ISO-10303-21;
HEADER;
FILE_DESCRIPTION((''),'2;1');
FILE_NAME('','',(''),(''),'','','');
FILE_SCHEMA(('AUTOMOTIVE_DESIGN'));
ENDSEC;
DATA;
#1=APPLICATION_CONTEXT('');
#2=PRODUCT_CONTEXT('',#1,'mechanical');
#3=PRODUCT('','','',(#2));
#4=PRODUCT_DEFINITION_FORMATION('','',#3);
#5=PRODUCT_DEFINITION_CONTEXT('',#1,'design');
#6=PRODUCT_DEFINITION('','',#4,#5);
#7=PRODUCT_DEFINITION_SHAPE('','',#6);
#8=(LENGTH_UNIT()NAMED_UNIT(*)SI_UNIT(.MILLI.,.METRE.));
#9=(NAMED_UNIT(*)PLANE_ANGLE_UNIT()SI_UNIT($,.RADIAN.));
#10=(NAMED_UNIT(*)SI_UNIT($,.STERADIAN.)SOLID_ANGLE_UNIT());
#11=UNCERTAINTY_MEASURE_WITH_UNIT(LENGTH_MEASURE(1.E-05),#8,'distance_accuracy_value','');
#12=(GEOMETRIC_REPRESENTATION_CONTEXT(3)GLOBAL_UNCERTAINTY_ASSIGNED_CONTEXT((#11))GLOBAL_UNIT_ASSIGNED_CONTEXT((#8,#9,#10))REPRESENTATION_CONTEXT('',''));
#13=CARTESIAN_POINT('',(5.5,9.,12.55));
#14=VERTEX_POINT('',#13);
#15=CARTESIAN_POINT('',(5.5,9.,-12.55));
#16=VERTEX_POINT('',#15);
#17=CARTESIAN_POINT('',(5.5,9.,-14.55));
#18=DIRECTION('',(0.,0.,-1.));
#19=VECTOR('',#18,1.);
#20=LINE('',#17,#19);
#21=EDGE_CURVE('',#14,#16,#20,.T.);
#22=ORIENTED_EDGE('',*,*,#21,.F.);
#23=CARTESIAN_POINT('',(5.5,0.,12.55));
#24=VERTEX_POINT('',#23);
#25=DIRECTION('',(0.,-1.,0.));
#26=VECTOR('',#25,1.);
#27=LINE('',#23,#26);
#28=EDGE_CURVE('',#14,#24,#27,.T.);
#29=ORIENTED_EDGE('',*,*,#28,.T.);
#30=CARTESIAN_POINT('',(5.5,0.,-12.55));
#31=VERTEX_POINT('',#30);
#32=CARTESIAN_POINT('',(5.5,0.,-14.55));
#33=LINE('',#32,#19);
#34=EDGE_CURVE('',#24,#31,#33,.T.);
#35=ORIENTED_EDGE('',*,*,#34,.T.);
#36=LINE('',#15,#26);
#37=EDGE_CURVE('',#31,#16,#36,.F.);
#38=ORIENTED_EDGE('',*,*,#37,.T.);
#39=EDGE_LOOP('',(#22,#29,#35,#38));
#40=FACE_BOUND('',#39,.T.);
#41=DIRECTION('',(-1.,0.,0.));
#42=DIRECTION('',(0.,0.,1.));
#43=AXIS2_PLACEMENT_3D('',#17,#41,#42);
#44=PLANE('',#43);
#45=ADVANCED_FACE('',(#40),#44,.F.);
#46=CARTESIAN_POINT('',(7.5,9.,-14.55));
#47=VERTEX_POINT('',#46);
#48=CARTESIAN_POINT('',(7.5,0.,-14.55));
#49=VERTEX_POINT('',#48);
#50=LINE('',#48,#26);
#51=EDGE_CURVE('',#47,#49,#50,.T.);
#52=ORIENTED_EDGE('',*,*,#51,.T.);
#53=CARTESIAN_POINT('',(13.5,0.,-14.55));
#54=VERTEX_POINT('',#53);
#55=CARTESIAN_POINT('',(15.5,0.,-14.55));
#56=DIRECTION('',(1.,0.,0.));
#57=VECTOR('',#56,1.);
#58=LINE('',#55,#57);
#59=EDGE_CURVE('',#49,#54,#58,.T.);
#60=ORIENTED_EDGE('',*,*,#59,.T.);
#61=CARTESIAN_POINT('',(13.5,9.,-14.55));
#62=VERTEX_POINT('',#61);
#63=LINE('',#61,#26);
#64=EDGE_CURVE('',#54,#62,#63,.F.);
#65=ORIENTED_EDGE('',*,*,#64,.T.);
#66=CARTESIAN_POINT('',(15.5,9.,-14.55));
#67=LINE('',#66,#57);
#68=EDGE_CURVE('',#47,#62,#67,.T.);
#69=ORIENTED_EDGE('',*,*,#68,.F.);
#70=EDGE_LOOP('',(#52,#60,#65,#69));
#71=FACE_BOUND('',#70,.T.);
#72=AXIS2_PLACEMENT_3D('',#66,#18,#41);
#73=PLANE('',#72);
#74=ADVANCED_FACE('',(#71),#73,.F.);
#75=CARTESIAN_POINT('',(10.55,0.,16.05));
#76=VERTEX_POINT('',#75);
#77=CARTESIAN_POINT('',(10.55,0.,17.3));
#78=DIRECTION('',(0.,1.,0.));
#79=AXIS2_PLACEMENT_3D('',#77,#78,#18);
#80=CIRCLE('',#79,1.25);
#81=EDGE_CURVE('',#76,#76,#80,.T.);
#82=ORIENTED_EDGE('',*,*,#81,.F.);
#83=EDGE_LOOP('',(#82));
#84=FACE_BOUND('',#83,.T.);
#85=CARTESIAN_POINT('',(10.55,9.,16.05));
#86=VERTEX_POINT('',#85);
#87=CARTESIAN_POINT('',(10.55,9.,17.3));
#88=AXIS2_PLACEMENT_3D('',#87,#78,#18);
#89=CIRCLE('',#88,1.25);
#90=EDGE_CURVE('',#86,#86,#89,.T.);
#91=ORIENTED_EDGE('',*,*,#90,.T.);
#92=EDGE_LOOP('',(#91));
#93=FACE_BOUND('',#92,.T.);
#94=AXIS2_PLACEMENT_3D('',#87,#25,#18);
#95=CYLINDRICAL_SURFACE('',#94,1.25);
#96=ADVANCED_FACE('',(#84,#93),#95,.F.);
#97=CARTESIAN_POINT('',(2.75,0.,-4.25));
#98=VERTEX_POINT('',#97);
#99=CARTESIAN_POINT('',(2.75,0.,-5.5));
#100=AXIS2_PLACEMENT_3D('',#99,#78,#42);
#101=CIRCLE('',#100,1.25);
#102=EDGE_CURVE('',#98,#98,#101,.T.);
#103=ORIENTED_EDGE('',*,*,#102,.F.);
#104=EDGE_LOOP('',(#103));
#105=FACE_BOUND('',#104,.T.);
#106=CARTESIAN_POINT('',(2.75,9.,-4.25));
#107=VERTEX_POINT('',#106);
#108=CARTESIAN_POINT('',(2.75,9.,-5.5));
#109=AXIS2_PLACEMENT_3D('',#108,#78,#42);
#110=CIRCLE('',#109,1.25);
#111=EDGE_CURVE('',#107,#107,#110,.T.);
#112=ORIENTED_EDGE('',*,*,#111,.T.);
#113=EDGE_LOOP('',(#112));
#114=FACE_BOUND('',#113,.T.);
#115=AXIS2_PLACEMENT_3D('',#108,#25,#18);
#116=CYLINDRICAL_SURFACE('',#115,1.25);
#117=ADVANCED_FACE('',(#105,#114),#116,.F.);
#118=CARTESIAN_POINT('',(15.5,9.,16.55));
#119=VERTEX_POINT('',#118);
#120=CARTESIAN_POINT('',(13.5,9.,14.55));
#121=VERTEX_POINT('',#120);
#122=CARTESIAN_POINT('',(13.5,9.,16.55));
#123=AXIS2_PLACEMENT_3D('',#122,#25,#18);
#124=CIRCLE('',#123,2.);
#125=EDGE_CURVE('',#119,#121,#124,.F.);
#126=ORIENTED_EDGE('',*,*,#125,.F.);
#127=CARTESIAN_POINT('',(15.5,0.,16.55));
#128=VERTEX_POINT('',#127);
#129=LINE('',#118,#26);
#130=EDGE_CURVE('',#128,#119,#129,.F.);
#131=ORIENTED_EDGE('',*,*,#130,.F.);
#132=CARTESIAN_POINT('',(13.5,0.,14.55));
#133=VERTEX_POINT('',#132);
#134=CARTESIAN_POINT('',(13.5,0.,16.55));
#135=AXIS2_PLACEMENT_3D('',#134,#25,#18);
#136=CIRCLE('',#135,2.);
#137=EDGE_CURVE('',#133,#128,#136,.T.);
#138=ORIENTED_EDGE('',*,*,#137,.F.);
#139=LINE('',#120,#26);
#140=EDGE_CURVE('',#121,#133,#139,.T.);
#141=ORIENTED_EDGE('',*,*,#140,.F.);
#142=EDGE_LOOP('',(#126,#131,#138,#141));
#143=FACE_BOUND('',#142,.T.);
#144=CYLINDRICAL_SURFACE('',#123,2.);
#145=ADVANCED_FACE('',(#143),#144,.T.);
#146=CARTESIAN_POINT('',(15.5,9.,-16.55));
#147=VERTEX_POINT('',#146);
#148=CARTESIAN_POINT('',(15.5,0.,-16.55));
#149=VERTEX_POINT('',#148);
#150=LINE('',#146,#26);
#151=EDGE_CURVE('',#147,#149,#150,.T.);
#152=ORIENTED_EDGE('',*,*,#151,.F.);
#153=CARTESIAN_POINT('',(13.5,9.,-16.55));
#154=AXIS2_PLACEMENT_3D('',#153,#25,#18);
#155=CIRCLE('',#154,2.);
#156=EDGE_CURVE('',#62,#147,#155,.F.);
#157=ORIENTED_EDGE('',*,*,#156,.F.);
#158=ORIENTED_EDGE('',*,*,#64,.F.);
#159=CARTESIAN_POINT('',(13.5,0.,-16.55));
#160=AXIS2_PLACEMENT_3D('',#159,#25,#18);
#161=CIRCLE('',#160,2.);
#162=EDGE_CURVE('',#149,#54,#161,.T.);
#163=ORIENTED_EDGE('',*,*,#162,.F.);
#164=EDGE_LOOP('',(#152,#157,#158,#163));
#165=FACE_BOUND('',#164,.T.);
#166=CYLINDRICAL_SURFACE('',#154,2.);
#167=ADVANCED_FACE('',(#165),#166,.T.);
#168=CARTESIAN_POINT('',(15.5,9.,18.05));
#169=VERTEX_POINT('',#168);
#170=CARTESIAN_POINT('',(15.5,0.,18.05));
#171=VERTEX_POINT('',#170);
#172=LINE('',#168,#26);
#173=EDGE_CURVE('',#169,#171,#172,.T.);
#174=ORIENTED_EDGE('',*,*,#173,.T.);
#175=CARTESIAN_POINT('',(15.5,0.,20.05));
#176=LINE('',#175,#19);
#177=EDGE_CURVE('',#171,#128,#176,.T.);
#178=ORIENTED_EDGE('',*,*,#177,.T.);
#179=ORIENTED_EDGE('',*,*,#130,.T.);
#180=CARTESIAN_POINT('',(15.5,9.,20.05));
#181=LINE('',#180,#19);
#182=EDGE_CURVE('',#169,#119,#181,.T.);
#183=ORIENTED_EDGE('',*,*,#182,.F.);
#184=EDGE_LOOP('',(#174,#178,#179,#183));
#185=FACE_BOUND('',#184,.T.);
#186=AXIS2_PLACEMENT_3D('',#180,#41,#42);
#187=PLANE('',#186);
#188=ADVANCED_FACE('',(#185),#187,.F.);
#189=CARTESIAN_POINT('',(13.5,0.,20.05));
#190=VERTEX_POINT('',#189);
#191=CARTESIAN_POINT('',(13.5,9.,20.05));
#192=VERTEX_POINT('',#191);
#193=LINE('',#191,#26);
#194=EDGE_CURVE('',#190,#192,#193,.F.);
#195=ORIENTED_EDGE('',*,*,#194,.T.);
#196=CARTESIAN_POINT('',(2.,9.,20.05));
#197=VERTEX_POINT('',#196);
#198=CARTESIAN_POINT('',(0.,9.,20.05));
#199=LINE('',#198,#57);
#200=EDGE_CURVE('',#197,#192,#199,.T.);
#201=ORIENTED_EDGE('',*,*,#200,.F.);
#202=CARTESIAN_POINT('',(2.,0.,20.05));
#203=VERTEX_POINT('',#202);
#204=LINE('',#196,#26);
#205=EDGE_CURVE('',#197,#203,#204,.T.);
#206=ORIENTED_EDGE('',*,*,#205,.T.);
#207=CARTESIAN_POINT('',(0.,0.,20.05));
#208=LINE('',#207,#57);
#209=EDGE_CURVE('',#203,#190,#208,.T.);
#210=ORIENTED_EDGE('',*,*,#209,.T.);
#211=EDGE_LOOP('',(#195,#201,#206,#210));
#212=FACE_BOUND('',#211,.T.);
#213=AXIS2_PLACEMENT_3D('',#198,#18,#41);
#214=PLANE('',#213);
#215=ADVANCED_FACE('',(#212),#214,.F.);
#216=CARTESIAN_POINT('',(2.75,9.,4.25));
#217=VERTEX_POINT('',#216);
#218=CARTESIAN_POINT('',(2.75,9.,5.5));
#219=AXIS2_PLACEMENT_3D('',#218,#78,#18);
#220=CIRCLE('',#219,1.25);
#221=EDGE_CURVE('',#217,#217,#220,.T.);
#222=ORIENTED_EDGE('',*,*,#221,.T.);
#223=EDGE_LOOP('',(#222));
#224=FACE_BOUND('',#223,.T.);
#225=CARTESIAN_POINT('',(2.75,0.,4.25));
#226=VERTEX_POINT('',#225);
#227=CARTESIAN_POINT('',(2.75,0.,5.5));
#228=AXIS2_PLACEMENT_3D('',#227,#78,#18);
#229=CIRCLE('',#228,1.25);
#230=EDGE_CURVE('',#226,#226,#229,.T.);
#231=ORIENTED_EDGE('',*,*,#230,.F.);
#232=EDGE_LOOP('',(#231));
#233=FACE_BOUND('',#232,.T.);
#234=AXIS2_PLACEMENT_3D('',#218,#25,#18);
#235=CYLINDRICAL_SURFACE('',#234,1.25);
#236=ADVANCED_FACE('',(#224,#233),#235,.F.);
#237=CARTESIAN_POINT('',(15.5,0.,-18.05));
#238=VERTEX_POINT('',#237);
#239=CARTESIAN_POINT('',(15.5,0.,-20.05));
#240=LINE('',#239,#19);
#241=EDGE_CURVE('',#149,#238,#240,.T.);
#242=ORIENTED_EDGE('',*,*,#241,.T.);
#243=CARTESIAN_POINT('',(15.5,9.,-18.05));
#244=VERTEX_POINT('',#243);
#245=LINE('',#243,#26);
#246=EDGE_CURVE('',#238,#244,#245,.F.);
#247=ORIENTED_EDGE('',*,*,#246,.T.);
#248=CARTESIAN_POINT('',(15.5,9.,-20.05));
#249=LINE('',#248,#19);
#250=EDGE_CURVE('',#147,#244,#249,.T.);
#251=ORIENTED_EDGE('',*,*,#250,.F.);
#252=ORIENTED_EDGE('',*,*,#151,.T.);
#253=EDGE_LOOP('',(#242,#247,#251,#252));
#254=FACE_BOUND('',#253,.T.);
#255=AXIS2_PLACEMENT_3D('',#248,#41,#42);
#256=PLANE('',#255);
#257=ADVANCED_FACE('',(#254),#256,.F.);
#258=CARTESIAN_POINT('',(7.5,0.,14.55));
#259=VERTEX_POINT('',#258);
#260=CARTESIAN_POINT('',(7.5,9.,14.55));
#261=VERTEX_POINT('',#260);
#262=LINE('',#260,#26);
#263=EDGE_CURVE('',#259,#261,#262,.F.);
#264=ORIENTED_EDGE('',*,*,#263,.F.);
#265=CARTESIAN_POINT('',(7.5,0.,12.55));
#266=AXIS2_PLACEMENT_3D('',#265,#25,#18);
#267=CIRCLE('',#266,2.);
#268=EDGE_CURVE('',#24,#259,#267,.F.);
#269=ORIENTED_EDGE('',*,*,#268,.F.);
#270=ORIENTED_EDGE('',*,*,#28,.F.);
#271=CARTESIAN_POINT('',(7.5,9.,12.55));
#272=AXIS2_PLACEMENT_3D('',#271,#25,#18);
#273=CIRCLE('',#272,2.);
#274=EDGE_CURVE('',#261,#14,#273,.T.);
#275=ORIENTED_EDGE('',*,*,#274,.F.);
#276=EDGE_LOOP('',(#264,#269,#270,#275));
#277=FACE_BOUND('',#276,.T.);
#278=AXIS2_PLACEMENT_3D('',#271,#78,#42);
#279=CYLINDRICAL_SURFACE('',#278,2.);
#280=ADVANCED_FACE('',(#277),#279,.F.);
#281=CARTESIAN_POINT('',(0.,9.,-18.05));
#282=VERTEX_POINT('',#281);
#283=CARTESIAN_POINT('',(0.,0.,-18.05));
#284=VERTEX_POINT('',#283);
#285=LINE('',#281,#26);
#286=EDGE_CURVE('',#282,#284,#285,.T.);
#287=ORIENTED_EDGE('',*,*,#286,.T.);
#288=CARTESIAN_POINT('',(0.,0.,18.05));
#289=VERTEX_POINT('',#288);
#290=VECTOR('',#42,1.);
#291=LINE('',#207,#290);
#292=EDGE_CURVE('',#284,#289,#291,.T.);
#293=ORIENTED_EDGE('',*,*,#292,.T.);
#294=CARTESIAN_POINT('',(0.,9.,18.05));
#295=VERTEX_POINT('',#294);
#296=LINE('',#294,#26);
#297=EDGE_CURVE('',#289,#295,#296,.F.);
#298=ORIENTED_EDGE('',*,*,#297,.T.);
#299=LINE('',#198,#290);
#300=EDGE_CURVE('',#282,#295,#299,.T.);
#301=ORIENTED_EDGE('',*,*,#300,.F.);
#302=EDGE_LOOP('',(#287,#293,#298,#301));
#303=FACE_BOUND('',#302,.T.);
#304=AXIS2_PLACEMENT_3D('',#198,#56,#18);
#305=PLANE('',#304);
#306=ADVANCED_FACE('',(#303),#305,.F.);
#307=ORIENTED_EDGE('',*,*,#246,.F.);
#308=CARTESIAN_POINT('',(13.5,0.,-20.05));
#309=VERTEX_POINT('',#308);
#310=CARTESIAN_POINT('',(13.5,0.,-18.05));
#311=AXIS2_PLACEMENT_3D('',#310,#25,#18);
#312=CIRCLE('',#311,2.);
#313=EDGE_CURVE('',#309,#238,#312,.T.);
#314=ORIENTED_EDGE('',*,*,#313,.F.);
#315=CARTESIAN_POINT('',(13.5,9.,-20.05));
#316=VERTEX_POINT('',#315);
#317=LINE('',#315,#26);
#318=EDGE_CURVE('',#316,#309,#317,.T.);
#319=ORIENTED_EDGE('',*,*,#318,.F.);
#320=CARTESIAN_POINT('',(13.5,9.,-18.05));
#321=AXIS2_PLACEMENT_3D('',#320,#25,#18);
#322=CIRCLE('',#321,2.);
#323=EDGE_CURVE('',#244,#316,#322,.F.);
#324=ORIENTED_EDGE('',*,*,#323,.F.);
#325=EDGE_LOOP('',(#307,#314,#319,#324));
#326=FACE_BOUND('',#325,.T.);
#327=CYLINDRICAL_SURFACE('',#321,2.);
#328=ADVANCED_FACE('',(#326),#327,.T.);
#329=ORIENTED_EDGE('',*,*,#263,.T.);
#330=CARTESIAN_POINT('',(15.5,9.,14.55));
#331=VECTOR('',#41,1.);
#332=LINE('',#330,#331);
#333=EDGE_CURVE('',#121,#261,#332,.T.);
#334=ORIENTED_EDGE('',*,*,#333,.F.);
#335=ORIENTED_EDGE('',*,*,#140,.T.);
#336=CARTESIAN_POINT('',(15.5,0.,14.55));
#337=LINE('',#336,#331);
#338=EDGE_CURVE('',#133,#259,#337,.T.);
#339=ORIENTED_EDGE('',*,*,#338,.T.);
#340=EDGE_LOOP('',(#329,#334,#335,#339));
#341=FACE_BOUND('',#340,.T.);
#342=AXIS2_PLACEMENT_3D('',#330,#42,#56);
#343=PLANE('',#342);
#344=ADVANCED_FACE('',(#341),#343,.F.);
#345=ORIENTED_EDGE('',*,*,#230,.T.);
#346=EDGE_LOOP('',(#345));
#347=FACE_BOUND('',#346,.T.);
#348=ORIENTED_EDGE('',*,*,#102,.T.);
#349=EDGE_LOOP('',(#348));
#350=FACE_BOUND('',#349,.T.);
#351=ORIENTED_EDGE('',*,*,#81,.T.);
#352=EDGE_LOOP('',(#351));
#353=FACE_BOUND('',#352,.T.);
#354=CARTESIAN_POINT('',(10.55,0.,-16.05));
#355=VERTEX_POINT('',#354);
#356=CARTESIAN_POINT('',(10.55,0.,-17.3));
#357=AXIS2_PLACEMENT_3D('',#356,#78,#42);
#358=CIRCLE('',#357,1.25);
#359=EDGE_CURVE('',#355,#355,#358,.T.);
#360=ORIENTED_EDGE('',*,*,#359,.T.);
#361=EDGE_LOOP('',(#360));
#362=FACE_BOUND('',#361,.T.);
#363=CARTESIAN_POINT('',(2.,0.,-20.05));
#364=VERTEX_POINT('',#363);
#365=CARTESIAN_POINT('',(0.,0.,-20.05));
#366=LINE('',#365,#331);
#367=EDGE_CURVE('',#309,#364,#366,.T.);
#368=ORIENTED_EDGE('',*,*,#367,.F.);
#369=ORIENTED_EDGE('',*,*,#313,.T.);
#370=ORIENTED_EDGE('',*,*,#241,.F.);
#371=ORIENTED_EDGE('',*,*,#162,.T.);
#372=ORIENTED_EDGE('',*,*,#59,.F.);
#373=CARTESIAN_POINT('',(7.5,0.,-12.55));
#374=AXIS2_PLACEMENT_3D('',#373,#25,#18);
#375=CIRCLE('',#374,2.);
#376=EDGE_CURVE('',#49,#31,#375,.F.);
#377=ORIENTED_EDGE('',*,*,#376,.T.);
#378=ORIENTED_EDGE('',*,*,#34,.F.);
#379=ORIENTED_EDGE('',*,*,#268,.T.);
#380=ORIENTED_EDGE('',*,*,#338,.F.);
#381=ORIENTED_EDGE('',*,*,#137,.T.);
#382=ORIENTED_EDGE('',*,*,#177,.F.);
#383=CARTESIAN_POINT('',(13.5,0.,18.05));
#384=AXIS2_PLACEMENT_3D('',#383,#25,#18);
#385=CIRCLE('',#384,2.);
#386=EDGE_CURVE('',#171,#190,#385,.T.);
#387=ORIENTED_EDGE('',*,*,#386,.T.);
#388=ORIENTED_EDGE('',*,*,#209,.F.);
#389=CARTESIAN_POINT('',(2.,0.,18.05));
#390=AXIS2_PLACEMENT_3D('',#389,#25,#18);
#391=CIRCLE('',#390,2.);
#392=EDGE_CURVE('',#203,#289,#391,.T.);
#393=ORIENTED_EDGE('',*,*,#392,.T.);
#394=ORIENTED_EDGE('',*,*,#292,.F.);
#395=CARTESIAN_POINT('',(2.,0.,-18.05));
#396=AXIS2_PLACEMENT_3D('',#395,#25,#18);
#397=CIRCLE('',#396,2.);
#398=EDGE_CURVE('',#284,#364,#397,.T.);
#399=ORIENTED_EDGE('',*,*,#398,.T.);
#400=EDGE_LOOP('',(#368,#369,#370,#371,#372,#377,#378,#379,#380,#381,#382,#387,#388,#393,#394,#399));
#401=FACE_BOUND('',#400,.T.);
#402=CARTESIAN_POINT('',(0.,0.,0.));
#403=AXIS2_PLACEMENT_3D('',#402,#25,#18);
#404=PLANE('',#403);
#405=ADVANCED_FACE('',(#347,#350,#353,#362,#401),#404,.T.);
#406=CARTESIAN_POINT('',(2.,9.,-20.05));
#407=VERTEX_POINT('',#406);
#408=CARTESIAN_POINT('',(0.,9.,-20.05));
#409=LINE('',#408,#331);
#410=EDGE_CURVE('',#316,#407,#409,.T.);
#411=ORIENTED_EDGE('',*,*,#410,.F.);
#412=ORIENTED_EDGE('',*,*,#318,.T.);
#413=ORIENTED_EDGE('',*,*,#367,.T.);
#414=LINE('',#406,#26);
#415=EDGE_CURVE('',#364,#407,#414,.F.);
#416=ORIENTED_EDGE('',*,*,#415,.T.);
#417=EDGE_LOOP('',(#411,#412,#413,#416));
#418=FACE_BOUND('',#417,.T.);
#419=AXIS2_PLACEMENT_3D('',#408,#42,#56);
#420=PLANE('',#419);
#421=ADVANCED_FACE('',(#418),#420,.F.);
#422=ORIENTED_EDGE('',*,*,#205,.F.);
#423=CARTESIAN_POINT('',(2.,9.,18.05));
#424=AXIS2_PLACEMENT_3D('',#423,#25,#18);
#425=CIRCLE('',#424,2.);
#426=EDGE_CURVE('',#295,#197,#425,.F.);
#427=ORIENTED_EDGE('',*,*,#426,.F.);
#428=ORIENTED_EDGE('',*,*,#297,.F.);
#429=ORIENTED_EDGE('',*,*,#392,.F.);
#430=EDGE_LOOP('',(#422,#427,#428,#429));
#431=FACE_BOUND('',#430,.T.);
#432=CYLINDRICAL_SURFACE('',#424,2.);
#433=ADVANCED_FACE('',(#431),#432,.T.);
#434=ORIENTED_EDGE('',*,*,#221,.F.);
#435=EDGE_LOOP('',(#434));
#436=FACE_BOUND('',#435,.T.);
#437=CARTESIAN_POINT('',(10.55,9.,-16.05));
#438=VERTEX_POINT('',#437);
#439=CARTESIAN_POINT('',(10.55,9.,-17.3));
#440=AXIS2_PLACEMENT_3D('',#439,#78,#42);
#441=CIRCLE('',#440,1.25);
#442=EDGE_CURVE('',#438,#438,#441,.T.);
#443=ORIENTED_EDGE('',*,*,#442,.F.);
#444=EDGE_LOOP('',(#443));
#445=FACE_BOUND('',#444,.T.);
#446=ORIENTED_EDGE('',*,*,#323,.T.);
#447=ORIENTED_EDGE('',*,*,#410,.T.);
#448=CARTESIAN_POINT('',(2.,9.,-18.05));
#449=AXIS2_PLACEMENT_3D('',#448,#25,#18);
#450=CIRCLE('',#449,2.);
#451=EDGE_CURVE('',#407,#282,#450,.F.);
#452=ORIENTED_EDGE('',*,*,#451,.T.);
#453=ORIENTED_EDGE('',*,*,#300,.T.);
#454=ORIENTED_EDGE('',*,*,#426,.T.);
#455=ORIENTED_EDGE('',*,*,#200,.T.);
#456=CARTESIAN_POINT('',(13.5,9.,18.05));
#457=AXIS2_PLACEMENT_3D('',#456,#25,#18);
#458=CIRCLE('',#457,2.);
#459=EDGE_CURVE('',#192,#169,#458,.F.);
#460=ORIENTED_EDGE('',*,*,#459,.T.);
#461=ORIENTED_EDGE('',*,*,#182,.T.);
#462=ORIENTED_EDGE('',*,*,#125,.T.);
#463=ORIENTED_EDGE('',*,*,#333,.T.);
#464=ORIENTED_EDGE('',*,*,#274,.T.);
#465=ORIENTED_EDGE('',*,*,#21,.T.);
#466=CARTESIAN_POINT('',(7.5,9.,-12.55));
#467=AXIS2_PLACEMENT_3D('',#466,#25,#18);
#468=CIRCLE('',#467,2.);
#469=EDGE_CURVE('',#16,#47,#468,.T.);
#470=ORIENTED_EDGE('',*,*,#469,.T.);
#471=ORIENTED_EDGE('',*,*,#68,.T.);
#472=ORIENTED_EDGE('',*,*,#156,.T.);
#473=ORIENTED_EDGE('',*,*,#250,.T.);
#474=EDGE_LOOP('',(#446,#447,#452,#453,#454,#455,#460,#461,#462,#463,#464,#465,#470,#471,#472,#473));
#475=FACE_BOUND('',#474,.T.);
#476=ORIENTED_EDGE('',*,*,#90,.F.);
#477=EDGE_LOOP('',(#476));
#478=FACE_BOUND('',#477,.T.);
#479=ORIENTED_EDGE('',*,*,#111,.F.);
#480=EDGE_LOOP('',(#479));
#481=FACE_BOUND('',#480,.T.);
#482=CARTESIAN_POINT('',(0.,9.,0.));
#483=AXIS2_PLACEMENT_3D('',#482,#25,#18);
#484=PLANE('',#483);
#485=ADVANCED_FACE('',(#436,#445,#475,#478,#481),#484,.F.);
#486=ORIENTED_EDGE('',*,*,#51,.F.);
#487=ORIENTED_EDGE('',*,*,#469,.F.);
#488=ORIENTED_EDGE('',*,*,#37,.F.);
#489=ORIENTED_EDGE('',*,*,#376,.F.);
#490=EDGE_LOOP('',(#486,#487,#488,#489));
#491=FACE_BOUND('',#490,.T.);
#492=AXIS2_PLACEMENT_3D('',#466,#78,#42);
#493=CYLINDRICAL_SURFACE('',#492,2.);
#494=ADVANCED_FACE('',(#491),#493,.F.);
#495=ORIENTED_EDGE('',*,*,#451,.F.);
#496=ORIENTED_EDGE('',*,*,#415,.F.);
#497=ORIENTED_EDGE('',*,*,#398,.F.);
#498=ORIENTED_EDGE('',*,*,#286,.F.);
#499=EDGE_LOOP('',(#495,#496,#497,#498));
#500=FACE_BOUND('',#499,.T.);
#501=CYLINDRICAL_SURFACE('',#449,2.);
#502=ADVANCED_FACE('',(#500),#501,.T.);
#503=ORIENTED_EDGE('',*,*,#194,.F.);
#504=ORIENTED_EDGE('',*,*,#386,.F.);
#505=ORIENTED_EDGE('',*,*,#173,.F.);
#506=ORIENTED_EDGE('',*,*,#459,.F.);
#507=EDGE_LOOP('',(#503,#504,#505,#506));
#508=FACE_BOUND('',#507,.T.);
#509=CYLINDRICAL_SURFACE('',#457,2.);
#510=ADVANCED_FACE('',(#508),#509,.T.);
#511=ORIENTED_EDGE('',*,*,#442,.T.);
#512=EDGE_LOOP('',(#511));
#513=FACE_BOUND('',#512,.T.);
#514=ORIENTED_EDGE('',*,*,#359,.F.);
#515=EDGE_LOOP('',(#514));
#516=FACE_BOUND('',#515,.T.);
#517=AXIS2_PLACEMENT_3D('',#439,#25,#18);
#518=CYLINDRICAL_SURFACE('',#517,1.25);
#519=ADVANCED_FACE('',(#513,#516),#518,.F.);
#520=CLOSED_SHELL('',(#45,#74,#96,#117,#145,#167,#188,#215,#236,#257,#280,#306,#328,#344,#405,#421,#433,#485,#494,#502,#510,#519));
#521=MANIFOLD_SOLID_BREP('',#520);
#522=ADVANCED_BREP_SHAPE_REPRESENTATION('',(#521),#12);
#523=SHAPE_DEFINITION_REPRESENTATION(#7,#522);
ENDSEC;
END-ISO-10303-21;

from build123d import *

# Parameters (mm, degrees)
SKETCH1_R           = 1.25
BOSS_EXTRUDE1_DEPTH = 9
FILLET1_R           = 2


with BuildPart() as part:
    # Sketch1 → Boss-Extrude1 (new body)
    with BuildSketch(Plane(origin=(0, 0, 0), x_dir=(1, 0, 0), z_dir=(0, 1, 0))):
        Polygon((0, -20.05), (0, 20.05), (15.5, 20.05), (15.5, 14.55), (5.5, 14.55), (5.5, -14.55), (15.5, -14.55), (15.5, -20.05), align=None)
        with Locations(Location((2.75, 5.5, 0), (0, 0, 270))):
            Circle(SKETCH1_R, mode=Mode.SUBTRACT)
        with Locations(Location((10.55, 17.3, 0), (0, 0, 270))):
            Circle(SKETCH1_R, mode=Mode.SUBTRACT)
        with Locations(Location((10.55, -17.3, 0), (0, 0, 90))):
            Circle(SKETCH1_R, mode=Mode.SUBTRACT)
        with Locations(Location((2.75, -5.5, 0), (0, 0, 90))):
            Circle(SKETCH1_R, mode=Mode.SUBTRACT)
    extrude(amount=BOSS_EXTRUDE1_DEPTH)

    # Fillet1
    fillet1_edges = [part.edges().sort_by_distance(p)[0] for p in [
        (15.5, 4.5, -20.05),
        (15.5, 4.5, -14.55),
        (5.5, 4.5, -14.55),
        (5.5, 4.5, 14.55),
        (15.5, 4.5, 14.55),
        (15.5, 4.5, 20.05),
        (0, 4.5, 20.05),
        (0, 4.5, -20.05),
    ]]
    fillet(fillet1_edges, radius=FILLET1_R)


solid = part.part
